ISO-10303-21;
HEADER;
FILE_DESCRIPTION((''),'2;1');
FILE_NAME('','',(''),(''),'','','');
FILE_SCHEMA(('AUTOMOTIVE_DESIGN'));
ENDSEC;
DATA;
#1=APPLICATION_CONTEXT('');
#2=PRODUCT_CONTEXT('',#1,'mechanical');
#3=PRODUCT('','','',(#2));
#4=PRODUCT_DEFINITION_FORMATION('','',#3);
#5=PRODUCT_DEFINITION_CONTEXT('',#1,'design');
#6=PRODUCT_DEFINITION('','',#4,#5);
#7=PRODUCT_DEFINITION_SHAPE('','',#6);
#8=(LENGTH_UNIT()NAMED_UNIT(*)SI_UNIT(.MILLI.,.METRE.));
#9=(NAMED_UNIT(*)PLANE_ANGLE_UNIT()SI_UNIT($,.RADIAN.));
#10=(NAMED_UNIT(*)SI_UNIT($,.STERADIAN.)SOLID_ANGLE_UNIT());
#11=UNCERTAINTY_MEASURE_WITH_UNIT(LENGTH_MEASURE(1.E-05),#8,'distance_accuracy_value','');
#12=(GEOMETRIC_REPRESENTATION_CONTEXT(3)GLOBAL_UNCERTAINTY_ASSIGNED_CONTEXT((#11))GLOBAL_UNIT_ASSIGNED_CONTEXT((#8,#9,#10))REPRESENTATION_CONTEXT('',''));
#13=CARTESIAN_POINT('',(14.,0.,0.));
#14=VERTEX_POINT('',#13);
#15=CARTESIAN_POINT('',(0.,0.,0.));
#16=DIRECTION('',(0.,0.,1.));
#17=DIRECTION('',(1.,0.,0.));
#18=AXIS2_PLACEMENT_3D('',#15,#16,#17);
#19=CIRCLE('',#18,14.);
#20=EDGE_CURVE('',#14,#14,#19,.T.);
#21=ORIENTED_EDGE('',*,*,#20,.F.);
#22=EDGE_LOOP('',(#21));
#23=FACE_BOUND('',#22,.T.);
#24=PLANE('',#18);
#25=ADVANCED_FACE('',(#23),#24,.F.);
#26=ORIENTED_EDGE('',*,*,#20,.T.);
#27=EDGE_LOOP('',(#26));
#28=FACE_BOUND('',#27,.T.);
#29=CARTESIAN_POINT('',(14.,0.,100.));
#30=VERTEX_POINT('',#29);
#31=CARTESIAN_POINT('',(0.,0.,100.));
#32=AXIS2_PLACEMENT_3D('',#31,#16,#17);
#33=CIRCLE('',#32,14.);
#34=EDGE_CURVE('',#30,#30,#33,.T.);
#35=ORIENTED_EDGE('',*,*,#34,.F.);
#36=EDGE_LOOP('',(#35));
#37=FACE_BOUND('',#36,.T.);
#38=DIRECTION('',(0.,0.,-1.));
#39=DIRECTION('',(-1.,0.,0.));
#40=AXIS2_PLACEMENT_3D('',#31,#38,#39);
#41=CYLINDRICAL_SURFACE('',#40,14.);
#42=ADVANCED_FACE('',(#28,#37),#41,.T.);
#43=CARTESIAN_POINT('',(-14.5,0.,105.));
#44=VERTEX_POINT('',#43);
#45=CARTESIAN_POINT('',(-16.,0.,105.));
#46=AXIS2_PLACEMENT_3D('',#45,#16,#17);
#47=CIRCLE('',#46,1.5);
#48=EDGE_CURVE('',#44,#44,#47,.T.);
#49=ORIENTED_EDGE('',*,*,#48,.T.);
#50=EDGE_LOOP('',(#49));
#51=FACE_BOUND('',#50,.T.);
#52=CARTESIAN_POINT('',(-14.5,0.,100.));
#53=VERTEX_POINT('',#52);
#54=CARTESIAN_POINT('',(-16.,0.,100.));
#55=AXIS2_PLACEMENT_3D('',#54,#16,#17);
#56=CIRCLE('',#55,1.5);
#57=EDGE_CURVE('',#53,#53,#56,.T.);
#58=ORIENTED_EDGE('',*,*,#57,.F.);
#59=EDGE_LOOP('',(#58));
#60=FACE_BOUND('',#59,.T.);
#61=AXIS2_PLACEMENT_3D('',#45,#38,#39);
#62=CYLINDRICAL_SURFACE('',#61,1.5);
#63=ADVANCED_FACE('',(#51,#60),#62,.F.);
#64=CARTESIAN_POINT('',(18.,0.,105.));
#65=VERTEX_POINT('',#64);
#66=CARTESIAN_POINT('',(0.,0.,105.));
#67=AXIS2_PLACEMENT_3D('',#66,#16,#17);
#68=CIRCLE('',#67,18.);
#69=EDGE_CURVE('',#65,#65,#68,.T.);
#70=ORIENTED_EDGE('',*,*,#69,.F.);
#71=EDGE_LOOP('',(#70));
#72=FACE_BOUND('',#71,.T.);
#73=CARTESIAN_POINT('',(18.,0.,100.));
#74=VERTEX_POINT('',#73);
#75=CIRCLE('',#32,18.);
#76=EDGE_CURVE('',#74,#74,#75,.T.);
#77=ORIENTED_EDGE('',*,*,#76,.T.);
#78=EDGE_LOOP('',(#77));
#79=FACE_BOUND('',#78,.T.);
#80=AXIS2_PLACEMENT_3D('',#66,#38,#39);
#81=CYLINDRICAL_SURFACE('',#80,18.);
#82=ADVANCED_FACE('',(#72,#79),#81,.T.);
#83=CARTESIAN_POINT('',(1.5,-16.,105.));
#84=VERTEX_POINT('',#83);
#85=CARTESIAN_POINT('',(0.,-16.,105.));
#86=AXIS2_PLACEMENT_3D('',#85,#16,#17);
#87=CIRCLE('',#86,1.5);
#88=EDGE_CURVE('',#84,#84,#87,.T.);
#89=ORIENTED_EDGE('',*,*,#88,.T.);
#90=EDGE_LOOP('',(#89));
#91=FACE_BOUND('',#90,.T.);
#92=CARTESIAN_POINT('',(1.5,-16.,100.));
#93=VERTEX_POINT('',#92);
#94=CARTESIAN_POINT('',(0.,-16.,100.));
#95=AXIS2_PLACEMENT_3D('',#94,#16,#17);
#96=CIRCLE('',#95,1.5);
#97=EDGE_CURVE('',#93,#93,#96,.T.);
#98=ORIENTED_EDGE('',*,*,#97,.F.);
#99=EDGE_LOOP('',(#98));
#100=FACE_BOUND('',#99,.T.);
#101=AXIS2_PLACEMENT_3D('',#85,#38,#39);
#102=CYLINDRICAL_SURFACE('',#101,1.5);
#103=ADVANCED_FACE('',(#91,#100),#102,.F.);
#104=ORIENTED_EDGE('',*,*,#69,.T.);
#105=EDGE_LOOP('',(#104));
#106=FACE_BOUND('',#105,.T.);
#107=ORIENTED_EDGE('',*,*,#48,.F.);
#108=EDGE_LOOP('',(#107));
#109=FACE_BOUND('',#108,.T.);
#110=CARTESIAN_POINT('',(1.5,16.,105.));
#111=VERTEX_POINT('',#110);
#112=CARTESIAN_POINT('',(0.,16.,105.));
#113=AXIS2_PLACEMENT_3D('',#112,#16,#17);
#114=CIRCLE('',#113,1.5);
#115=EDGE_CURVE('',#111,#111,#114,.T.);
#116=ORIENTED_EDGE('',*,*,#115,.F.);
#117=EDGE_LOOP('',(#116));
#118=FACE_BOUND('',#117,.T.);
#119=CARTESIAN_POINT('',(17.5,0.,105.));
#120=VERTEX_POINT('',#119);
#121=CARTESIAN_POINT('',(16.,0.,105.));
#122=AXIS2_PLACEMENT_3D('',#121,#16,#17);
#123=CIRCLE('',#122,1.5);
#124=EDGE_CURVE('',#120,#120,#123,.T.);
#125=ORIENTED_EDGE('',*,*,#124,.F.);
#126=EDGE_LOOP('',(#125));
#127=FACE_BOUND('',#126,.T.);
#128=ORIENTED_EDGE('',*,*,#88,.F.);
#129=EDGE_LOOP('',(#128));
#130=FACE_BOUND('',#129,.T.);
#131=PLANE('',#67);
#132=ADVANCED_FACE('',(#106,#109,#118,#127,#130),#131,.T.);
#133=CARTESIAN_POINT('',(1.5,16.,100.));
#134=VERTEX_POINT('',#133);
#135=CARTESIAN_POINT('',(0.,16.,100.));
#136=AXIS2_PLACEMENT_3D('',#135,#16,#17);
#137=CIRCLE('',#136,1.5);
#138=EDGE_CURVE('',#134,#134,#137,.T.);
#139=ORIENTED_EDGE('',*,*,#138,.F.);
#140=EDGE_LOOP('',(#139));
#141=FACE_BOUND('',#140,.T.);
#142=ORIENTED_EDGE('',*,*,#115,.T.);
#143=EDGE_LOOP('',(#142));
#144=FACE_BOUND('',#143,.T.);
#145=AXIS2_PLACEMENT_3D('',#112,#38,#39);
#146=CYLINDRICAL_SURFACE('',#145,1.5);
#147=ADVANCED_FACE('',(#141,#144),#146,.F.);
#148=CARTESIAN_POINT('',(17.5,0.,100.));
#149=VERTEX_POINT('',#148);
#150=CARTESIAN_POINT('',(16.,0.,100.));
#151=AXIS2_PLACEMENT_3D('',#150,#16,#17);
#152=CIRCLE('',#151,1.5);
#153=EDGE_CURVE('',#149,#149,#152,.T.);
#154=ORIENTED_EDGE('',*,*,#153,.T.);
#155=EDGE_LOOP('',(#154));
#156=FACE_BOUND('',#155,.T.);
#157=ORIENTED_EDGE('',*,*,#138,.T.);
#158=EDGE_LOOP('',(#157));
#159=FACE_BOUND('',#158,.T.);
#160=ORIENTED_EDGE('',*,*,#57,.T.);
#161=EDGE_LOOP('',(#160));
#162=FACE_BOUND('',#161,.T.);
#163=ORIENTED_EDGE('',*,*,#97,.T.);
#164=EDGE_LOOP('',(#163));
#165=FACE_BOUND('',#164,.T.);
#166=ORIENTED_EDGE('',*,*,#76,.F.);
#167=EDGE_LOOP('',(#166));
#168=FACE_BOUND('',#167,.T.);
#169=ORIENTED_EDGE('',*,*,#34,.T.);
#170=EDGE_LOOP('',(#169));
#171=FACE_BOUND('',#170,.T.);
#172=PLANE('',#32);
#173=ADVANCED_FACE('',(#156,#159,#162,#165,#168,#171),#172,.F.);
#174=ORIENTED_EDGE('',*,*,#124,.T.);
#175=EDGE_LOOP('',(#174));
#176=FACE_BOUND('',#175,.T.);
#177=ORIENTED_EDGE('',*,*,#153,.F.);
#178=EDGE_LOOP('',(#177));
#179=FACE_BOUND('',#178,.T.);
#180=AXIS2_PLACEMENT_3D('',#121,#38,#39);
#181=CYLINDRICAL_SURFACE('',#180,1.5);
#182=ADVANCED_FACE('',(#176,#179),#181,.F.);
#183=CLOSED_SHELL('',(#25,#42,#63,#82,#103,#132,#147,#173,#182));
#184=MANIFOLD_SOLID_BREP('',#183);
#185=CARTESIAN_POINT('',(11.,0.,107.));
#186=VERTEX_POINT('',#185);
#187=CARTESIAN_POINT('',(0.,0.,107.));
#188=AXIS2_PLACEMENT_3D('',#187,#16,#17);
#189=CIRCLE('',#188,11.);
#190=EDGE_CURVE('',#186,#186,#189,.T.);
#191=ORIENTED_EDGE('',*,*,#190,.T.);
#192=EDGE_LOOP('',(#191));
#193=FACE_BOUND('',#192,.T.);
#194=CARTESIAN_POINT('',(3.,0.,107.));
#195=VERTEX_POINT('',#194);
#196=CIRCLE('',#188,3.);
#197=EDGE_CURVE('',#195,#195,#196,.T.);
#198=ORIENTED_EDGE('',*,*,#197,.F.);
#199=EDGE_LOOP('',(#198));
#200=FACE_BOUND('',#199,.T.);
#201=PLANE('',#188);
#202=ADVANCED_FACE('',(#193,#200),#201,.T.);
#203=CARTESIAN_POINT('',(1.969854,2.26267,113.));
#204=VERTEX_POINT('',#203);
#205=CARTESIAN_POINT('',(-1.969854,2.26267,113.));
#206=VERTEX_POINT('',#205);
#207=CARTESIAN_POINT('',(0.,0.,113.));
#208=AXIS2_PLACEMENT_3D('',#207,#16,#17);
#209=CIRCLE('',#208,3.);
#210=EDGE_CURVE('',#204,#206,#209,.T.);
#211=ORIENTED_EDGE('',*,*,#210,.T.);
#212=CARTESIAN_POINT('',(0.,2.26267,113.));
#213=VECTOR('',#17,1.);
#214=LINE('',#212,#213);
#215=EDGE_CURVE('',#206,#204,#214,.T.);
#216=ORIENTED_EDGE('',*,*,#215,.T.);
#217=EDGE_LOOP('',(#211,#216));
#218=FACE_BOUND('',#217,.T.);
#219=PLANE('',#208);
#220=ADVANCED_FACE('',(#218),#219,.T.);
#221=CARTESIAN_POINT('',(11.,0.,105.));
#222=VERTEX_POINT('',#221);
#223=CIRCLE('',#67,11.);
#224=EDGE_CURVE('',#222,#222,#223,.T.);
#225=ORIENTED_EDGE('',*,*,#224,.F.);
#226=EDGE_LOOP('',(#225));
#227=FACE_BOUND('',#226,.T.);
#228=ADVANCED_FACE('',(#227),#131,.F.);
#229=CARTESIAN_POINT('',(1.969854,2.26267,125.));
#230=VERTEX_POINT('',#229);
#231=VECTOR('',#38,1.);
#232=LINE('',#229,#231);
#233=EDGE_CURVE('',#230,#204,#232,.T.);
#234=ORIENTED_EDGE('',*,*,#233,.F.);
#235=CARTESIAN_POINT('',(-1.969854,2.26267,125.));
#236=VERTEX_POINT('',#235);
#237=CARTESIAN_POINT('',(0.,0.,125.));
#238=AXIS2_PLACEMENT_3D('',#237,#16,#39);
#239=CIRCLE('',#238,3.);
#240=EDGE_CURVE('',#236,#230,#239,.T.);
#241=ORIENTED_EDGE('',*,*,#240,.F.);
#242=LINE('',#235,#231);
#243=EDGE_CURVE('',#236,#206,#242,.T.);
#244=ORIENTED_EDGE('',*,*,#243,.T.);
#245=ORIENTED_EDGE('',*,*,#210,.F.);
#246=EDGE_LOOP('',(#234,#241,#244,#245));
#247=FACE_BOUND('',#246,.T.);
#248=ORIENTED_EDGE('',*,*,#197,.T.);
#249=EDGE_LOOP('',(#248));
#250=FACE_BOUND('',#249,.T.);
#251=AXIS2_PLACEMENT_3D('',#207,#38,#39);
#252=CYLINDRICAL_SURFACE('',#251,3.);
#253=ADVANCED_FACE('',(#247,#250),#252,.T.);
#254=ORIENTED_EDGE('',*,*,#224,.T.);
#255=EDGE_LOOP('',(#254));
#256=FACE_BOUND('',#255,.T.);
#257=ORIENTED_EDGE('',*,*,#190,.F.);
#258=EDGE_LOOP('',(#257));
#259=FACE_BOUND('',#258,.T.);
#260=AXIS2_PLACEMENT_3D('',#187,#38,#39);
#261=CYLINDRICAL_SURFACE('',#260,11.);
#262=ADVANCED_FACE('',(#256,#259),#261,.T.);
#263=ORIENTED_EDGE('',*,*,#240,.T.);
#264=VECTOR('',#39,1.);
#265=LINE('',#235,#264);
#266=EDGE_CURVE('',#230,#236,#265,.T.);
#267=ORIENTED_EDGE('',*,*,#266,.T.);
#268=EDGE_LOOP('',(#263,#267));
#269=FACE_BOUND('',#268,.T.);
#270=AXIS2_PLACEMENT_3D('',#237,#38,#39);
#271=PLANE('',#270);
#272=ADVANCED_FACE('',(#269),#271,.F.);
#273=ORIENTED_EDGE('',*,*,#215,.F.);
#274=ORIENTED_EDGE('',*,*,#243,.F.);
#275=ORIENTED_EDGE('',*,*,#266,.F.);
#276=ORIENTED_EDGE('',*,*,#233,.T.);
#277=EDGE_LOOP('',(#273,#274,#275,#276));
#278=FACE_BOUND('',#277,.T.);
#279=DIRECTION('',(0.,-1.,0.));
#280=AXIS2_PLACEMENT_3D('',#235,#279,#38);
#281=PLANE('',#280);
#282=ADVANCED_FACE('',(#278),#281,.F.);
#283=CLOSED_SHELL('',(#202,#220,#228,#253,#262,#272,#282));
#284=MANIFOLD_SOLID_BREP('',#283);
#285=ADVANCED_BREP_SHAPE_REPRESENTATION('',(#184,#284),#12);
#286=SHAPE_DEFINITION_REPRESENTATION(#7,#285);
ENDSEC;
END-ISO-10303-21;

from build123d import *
from build123d.topology import SkipClean

# Parameters (mm, degrees)
SKETCH1_R           = 14
BOSS_EXTRUDE1_DEPTH = 100
SKETCH3_R           = 18
SKETCH3_R_2         = 1.5
BOSS_EXTRUDE2_DEPTH = 5
SKETCH4_R           = 11
BOSS_EXTRUDE3_DEPTH = 2
SKETCH5_R           = 3
BOSS_EXTRUDE4_DEPTH = 6
BOSS_EXTRUDE5_DEPTH = 18


with BuildPart() as part:
    # Sketch1 → Boss-Extrude1 (new body)
    with BuildSketch(Plane.XY):
        Circle(SKETCH1_R)
    extrude(amount=BOSS_EXTRUDE1_DEPTH)

    # Sketch3 → Boss-Extrude2 (add)
    with BuildSketch(Plane.XY.offset(100)):
        Circle(SKETCH3_R)
        with Locations((16, 0)):
            Circle(SKETCH3_R_2, mode=Mode.SUBTRACT)
        with Locations((0, 16)):
            Circle(SKETCH3_R_2, mode=Mode.SUBTRACT)
        with Locations((-16, 0)):
            Circle(SKETCH3_R_2, mode=Mode.SUBTRACT)
        with Locations((0, -16)):
            Circle(SKETCH3_R_2, mode=Mode.SUBTRACT)
    extrude(amount=BOSS_EXTRUDE2_DEPTH)


with BuildPart() as body_2:
    # Sketch4 → Boss-Extrude3 (new body)
    with BuildSketch(Plane.XY.offset(105)):
        Circle(SKETCH4_R)
    extrude(amount=BOSS_EXTRUDE3_DEPTH)

    # Sketch5 → Boss-Extrude4 (add)
    with BuildSketch(Plane.XY.offset(107)):
        Circle(SKETCH5_R)
    extrude(amount=BOSS_EXTRUDE4_DEPTH)

    # Sketch7 → Boss-Extrude5 (add)
    with SkipClean():  # the faces are left unmerged after this step: merging them gives an invalid solid
        with BuildSketch(Plane.XY.offset(107)):
            with BuildLine():
                Line((-1.969853899, 2.262670019), (1.969853899, 2.262670019))
                ThreePointArc((1.969853899, 2.262670019), (2.730344456, 1.243068442), (3, 0))
                ThreePointArc((3, 0), (0, -3), (-3, 0))
                ThreePointArc((-3, 0), (-2.730344456, 1.243068442), (-1.969853899, 2.262670019))
            make_face()
        extrude(amount=BOSS_EXTRUDE5_DEPTH)


solid = Compound([part.part, body_2.part])
